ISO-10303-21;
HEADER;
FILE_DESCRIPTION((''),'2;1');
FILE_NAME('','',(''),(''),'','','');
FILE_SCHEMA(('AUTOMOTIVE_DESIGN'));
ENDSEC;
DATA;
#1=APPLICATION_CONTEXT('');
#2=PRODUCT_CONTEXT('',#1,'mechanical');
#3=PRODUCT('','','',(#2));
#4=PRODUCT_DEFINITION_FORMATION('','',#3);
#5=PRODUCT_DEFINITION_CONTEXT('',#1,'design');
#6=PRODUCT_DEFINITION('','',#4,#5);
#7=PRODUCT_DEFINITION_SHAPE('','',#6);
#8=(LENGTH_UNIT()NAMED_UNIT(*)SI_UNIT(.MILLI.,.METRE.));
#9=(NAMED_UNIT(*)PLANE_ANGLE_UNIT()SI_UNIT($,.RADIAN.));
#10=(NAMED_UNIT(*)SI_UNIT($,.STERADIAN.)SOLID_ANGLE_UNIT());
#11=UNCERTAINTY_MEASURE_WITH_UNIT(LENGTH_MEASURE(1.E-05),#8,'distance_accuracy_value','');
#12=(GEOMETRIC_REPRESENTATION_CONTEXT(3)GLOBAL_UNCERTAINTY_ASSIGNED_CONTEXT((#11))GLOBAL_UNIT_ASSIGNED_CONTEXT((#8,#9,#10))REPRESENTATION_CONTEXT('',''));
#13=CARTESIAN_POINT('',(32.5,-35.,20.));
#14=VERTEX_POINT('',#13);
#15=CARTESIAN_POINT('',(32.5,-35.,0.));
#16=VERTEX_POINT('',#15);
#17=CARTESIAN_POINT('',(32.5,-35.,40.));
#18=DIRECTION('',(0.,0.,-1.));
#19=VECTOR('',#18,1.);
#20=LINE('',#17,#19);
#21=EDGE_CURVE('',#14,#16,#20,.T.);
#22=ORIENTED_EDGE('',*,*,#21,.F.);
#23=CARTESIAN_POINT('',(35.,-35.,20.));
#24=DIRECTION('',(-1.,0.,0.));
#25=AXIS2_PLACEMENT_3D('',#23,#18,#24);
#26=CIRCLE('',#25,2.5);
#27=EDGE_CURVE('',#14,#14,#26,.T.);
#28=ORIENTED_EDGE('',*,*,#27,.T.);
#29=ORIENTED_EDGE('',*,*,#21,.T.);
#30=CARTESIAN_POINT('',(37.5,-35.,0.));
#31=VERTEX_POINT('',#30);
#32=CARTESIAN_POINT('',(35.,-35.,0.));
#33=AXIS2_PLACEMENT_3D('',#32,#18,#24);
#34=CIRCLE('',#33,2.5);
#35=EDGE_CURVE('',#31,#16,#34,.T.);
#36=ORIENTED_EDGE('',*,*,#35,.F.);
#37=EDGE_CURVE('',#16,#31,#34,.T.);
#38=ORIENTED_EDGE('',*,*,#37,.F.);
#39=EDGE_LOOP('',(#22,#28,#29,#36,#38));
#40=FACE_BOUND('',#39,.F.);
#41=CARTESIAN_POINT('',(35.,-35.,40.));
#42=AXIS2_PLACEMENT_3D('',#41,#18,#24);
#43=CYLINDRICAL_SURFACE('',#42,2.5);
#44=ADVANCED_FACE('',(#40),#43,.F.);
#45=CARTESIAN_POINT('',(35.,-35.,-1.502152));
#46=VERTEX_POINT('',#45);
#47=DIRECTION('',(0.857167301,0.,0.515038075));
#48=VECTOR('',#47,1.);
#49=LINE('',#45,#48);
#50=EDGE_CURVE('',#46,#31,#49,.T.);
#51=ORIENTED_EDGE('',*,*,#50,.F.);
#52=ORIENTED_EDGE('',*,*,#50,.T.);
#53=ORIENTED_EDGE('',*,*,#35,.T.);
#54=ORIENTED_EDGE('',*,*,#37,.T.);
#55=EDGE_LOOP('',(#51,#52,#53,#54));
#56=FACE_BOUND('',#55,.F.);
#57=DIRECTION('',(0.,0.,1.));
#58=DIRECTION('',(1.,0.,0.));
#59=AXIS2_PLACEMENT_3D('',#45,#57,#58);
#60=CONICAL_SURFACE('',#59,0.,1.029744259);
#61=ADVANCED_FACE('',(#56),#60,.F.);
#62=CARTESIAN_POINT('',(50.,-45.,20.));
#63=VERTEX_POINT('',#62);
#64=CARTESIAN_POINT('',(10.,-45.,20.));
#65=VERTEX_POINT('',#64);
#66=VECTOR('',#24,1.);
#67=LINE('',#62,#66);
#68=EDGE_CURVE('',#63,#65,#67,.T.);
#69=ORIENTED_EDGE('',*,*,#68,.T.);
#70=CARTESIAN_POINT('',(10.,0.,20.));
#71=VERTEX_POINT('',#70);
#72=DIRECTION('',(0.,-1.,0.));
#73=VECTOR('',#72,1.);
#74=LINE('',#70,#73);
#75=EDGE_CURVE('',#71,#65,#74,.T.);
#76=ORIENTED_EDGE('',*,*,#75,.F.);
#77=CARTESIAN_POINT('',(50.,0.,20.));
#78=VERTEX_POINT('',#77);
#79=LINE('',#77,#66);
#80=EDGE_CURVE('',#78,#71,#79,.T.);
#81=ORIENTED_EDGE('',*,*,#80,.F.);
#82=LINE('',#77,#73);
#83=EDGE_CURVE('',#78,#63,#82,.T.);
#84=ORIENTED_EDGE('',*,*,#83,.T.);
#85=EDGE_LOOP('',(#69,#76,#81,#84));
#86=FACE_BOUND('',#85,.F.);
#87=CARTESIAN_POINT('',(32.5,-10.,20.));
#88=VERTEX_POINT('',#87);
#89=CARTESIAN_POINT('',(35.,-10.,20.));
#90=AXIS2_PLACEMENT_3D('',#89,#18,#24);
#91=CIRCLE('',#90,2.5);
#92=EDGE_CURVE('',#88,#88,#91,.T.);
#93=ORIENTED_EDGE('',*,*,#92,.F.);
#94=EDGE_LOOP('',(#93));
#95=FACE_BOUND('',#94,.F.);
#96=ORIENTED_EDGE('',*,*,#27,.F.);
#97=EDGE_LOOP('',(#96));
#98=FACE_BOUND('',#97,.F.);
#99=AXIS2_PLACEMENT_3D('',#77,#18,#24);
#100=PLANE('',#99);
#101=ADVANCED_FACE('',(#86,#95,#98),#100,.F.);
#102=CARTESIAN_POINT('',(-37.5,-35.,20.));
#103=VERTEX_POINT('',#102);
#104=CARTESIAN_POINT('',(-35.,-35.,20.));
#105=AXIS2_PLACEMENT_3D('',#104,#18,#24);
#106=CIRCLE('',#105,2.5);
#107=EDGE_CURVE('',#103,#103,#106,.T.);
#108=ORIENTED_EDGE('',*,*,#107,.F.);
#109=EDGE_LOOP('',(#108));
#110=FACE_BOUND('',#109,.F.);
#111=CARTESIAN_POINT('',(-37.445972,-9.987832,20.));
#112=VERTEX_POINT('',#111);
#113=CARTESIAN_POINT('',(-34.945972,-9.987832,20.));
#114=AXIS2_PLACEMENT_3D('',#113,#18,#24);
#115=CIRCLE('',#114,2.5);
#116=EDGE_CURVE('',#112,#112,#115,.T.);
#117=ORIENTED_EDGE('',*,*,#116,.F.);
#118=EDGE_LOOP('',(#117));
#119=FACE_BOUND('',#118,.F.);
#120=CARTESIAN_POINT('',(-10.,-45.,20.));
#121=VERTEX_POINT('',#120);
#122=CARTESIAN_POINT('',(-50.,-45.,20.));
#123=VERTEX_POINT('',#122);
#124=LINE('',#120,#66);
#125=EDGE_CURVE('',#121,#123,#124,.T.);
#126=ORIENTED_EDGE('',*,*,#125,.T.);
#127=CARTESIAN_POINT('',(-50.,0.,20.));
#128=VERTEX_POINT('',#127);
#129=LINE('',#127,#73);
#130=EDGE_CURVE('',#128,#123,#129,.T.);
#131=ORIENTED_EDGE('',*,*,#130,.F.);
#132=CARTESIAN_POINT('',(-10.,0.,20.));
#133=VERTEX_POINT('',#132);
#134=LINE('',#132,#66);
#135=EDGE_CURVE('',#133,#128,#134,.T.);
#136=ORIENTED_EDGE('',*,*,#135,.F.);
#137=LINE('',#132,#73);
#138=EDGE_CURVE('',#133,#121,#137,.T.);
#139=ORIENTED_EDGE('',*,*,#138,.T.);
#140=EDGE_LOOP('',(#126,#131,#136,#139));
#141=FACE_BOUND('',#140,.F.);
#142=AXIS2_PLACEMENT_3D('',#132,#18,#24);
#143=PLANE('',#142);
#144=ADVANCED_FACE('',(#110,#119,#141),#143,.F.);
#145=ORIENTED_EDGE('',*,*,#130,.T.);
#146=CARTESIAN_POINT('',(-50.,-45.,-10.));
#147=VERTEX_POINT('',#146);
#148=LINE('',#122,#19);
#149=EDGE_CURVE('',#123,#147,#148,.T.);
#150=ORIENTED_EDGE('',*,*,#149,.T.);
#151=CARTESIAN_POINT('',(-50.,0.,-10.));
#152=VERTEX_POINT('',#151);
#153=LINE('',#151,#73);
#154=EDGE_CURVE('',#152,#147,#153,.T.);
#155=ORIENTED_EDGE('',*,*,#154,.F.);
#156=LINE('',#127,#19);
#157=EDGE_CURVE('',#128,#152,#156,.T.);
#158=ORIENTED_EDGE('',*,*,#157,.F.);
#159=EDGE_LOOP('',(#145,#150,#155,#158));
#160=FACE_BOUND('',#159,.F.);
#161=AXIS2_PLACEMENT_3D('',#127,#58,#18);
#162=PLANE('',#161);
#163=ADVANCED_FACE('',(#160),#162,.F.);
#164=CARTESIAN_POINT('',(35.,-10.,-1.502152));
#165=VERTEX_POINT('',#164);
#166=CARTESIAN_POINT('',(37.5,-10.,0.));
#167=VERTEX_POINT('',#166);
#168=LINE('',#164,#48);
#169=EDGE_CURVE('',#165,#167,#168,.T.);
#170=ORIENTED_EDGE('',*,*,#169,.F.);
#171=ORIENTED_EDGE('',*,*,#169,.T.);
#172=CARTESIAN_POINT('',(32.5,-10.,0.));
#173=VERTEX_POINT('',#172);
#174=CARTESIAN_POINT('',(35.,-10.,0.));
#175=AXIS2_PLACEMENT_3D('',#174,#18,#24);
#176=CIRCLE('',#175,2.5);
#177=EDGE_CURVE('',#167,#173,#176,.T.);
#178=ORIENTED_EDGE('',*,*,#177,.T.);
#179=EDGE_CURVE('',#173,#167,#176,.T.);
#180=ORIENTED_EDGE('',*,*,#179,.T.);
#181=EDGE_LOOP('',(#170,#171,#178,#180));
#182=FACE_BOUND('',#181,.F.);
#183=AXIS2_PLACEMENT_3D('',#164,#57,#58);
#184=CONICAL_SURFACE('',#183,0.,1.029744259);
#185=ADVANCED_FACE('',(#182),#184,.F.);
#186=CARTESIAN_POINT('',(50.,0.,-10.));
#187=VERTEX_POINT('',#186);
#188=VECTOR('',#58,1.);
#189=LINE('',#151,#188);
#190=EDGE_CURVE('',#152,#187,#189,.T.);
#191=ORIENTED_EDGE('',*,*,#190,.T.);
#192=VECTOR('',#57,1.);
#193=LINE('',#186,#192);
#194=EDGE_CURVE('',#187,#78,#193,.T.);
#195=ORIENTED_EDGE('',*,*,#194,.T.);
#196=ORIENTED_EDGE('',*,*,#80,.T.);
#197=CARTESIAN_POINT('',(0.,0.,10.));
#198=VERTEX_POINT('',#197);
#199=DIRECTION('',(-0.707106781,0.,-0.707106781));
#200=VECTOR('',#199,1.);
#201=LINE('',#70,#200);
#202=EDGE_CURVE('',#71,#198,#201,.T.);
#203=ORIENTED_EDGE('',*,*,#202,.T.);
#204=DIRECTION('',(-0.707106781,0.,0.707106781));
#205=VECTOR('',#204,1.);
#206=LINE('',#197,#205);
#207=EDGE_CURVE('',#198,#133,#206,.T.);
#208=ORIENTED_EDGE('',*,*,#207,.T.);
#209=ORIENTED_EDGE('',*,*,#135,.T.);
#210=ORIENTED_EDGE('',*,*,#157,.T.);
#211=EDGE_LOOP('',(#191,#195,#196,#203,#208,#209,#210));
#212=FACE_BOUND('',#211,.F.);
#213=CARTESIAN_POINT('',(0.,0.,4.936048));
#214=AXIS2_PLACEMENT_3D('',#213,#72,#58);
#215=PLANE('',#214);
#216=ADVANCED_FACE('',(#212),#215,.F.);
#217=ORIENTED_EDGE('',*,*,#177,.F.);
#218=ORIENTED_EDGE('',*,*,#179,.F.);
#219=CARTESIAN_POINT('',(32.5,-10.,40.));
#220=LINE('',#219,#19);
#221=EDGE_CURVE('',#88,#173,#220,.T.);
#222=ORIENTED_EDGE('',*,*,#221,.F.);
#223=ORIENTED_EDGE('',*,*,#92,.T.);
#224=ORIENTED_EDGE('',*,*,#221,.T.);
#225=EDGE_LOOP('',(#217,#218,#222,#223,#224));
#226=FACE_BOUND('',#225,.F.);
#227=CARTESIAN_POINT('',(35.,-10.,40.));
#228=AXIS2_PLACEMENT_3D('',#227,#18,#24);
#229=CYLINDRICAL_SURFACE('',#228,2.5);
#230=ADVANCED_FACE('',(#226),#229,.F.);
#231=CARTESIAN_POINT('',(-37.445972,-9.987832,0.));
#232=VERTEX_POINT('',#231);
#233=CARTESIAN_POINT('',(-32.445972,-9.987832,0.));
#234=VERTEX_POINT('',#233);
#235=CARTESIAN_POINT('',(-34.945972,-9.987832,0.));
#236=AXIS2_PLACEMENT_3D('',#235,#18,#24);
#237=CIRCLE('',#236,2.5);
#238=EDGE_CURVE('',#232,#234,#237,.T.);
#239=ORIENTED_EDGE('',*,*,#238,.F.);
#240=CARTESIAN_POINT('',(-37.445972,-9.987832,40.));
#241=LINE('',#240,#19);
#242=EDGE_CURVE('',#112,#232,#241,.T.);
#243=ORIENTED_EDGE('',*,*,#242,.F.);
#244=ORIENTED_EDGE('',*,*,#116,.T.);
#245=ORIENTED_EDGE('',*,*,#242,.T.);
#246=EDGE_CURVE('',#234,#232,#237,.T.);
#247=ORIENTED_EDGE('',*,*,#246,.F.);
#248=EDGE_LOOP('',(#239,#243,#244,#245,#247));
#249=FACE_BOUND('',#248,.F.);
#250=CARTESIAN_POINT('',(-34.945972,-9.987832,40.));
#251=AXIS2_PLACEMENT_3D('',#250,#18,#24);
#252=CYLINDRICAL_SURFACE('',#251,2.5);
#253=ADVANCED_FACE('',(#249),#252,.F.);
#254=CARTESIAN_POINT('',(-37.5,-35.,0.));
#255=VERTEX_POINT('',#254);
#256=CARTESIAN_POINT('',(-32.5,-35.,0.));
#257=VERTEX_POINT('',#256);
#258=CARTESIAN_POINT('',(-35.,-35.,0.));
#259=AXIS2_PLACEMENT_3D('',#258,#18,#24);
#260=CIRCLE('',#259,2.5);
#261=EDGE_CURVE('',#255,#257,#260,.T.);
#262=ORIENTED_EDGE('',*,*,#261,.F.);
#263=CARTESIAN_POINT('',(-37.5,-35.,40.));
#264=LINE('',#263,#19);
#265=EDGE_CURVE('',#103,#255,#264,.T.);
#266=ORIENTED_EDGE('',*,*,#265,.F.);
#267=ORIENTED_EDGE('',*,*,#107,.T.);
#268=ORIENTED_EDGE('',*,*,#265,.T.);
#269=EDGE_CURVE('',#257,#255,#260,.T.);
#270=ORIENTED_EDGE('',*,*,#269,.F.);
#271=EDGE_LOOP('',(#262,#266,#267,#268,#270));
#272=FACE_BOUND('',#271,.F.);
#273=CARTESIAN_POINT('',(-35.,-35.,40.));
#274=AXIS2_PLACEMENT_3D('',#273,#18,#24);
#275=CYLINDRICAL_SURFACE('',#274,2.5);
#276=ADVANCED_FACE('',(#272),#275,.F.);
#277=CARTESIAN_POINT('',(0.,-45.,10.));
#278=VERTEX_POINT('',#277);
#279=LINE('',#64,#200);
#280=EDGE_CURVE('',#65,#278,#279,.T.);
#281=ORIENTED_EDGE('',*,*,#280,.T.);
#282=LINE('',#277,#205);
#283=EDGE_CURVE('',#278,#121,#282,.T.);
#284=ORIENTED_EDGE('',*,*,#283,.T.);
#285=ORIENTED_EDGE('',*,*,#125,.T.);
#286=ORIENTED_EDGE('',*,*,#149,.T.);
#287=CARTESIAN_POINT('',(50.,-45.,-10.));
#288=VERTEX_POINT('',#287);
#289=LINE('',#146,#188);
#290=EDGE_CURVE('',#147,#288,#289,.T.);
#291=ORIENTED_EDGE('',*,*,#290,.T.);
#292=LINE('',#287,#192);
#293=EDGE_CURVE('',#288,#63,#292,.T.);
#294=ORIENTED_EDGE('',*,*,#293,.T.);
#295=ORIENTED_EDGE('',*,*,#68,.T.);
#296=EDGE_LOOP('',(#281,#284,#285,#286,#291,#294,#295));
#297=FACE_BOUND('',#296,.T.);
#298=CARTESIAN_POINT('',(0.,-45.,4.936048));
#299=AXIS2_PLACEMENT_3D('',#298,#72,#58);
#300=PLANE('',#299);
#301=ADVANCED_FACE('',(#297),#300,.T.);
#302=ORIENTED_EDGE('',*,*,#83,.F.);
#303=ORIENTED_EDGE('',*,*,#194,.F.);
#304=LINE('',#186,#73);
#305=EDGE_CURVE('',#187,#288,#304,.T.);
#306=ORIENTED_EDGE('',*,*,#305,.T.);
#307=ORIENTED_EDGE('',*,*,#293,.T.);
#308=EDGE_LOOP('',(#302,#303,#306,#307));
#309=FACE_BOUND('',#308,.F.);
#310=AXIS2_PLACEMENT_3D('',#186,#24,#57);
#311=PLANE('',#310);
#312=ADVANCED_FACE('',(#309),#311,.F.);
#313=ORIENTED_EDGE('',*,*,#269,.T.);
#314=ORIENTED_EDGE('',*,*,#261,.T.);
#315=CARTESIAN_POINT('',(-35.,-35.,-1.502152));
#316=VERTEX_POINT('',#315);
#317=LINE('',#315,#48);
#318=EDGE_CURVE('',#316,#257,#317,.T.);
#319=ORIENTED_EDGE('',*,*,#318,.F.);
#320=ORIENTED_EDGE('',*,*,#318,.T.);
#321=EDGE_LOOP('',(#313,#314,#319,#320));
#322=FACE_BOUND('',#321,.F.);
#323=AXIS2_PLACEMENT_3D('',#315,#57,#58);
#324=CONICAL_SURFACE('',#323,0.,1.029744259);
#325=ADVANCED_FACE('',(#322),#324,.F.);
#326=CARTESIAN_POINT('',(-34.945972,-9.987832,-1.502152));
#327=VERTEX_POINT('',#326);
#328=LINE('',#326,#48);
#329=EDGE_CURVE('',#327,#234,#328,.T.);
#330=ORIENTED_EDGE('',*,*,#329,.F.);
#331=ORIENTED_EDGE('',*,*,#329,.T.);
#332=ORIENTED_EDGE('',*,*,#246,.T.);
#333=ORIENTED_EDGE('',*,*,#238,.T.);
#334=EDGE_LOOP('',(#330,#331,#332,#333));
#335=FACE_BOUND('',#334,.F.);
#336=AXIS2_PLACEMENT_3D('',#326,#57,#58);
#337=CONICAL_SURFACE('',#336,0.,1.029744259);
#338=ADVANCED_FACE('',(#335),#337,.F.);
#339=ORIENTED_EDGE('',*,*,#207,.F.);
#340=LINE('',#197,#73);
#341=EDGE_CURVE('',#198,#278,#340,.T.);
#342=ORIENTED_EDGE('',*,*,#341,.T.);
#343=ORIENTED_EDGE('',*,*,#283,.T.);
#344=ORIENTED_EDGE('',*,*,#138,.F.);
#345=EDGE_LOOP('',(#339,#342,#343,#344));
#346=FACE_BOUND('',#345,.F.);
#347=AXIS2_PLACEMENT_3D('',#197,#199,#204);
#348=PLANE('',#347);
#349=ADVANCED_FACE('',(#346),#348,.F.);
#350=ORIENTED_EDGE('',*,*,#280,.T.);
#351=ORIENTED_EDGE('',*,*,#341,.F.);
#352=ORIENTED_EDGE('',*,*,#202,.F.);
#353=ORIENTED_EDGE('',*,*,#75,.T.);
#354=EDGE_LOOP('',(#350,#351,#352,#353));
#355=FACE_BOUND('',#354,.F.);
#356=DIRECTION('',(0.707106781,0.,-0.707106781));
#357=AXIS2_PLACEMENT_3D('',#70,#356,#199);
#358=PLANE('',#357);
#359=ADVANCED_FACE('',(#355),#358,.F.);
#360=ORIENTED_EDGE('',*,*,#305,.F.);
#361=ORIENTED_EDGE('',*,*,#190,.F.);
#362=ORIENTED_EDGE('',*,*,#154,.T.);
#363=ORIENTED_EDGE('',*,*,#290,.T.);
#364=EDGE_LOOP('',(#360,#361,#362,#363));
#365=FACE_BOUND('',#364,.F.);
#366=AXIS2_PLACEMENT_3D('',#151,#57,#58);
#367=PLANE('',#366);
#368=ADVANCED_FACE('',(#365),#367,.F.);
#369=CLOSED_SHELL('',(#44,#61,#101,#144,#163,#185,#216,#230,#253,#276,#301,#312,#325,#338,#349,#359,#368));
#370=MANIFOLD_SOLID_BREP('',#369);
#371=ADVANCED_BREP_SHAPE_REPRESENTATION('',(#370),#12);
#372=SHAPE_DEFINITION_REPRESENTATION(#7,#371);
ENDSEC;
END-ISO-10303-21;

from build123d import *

# Parameters (mm, degrees)
F1_DEPTH  = 45
F3_D      = 5
F3_DEPTH  = 20
F3_TIP    = 1.5021515476
F5_D      = 5
F5_DEPTH  = 20
F5_TIP    = 1.5021515476
F8_D      = 5
F8_DEPTH  = 20
F8_TIP    = 1.5021515476
F10_D     = 5
F10_DEPTH = 20
F10_TIP   = 1.5021515476


with BuildPart() as f1:
    # F0 (on Front) → F1 (new body)
    with BuildSketch(Plane.XZ):
        Polygon((50, 20), (20, 20), (10, 20), (0, 10), (-10, 20), (-20, 20), (-50, 20), (-50, 0), (-50, -10), (50, -10), (50, 0), align=None)
    extrude(amount=F1_DEPTH)

    # F3
    with Locations(Plane.XY.offset(20)):
        with Locations((35, -35)):
            Hole(F3_D / 2, depth=F3_DEPTH)
            with Locations((0, 0, -(F3_DEPTH + F3_TIP / 2))):  # 118° drill point
                Cone(0, F3_D / 2, F3_TIP, mode=Mode.SUBTRACT)

    # F5
    with Locations(Plane.XY.offset(20)):
        with Locations((35, -10)):
            Hole(F5_D / 2, depth=F5_DEPTH)
            with Locations((0, 0, -(F5_DEPTH + F5_TIP / 2))):  # 118° drill point
                Cone(0, F5_D / 2, F5_TIP, mode=Mode.SUBTRACT)

    # F8
    with Locations(Plane.XY.offset(20)):
        with Locations((-35, -35)):
            Hole(F8_D / 2, depth=F8_DEPTH)
            with Locations((0, 0, -(F8_DEPTH + F8_TIP / 2))):  # 118° drill point
                Cone(0, F8_D / 2, F8_TIP, mode=Mode.SUBTRACT)

    # F10
    with Locations(Plane.XY.offset(20)):
        with Locations((-34.9459722638, -9.987832047)):
            Hole(F10_D / 2, depth=F10_DEPTH)
            with Locations((0, 0, -(F10_DEPTH + F10_TIP / 2))):  # 118° drill point
                Cone(0, F10_D / 2, F10_TIP, mode=Mode.SUBTRACT)


solid = f1.part
